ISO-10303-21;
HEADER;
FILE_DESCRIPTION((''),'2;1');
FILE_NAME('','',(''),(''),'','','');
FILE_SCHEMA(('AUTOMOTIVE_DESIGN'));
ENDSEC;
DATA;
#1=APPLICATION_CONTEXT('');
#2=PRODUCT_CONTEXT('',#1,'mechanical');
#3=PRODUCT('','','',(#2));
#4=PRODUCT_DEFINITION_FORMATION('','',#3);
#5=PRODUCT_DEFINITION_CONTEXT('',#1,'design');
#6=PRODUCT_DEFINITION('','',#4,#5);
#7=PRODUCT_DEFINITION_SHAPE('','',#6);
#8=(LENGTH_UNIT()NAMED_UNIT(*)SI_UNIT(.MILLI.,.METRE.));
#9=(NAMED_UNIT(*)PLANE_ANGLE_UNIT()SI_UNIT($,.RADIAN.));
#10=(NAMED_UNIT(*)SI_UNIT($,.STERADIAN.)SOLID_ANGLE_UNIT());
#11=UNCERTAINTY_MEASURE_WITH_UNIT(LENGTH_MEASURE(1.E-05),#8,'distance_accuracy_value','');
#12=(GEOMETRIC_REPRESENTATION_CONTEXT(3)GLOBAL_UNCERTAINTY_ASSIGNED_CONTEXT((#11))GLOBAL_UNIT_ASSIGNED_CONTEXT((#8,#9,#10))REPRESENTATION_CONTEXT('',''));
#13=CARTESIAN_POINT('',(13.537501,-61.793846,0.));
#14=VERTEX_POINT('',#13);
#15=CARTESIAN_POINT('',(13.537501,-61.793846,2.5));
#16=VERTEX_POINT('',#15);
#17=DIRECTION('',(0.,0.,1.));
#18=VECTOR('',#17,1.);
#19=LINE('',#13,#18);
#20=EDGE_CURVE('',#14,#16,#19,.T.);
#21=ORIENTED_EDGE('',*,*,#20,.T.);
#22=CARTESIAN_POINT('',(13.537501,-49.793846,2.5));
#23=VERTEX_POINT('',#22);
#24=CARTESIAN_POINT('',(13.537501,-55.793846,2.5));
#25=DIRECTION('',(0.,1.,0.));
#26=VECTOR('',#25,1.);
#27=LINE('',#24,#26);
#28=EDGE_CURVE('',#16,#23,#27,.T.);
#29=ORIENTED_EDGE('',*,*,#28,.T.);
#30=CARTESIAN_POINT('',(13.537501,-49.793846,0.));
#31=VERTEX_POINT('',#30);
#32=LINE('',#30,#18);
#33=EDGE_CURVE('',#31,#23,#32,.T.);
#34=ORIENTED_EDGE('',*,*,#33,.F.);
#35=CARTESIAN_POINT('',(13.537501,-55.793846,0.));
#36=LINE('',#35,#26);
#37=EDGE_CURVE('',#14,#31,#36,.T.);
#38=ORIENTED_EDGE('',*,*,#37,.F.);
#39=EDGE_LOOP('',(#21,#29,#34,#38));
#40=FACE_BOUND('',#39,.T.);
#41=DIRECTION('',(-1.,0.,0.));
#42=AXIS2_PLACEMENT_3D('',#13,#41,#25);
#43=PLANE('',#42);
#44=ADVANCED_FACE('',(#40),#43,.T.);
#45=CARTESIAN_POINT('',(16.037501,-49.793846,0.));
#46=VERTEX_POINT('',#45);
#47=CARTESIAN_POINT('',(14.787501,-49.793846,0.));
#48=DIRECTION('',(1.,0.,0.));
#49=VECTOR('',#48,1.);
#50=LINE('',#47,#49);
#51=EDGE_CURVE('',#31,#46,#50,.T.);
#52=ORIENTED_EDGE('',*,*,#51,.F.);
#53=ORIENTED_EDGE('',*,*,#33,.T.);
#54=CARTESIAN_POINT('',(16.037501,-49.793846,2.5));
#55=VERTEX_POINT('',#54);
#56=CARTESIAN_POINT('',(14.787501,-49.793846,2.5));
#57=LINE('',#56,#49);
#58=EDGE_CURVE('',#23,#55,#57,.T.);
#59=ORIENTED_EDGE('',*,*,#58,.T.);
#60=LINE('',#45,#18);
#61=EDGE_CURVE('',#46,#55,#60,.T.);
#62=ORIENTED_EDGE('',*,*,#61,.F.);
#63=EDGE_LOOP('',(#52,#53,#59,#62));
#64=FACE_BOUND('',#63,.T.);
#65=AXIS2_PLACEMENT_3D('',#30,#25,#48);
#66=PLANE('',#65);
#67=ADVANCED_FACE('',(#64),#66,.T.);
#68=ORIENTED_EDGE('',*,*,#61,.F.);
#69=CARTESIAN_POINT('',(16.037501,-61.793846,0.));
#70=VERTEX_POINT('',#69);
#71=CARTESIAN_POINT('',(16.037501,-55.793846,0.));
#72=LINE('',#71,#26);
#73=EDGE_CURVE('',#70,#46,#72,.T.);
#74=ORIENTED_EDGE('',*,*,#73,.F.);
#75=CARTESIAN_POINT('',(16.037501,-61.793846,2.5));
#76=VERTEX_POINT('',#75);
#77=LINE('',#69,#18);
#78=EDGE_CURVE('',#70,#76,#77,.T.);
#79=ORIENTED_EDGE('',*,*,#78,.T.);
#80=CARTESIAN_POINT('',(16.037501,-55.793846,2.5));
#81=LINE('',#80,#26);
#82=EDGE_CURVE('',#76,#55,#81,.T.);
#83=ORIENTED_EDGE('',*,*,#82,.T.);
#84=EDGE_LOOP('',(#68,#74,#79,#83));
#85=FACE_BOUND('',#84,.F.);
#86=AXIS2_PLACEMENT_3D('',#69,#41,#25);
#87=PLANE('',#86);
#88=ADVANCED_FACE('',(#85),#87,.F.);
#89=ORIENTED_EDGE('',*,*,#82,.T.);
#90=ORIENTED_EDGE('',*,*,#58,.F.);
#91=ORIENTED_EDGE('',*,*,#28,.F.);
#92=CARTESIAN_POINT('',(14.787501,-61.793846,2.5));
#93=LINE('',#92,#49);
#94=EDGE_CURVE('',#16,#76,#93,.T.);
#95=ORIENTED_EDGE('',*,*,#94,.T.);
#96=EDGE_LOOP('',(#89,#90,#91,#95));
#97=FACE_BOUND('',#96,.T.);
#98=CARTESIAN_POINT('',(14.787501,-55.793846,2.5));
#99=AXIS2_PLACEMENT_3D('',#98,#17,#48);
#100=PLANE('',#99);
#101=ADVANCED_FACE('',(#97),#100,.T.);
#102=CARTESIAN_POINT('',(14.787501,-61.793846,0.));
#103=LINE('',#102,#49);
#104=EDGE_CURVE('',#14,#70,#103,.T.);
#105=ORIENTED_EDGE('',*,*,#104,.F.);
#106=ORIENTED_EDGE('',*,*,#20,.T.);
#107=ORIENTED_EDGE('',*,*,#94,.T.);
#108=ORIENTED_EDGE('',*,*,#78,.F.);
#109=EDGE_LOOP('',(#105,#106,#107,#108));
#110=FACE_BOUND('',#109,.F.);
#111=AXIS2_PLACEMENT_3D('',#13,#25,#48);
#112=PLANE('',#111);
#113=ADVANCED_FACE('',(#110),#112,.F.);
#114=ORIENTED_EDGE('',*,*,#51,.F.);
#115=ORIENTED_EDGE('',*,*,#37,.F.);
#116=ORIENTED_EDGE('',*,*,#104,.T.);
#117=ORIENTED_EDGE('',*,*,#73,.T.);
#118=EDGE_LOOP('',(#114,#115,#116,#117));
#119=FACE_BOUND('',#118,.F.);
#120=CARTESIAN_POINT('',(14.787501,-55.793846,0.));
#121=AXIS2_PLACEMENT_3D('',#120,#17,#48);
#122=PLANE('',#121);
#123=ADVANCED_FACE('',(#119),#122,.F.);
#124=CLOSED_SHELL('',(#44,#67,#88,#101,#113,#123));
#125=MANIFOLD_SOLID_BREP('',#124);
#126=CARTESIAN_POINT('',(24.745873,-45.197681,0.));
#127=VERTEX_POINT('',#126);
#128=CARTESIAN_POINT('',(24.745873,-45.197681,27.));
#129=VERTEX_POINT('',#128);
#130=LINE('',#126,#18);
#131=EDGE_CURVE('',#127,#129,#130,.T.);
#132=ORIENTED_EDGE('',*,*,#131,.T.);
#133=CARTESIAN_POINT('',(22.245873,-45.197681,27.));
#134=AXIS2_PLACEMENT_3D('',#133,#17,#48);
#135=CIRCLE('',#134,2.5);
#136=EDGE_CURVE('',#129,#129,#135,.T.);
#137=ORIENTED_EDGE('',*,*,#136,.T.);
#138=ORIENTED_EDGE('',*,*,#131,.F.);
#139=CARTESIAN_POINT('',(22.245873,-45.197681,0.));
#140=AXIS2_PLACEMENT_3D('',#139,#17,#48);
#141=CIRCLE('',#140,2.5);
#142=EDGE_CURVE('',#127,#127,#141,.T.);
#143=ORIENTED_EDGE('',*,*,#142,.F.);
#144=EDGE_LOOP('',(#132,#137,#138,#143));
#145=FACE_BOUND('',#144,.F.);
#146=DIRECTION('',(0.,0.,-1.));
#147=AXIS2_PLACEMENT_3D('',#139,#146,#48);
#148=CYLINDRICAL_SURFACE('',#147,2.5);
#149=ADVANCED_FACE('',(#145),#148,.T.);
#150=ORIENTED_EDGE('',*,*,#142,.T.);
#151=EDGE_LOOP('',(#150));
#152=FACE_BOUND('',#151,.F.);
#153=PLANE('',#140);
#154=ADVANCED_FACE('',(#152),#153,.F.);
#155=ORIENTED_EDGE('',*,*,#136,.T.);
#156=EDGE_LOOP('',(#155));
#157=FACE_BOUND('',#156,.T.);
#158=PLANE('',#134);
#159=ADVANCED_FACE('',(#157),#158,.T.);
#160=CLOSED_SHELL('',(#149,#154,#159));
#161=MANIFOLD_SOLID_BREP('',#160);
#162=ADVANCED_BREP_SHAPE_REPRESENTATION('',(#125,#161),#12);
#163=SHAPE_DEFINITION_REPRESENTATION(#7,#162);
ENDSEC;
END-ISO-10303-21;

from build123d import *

# Parameters (mm, degrees)
F0_R     = 2.5
F1_DEPTH = 27
F2_W     = 2.5
F2_H     = 12
F3_DEPTH = 2.5


with BuildPart() as f1:
    # F0 (on Top) → F1 (new body)
    with BuildSketch(Plane.XY):
        with Locations((22.245873, -45.197681)):
            Circle(F0_R)
    extrude(amount=F1_DEPTH)


with BuildPart() as f3:
    # F2 (on Top) → F3 (new body)
    with BuildSketch(Plane.XY):
        with Locations((14.787501, -55.793846)):
            Rectangle(F2_W, F2_H)
    extrude(amount=F3_DEPTH)


solid = Compound([f1.part, f3.part])
